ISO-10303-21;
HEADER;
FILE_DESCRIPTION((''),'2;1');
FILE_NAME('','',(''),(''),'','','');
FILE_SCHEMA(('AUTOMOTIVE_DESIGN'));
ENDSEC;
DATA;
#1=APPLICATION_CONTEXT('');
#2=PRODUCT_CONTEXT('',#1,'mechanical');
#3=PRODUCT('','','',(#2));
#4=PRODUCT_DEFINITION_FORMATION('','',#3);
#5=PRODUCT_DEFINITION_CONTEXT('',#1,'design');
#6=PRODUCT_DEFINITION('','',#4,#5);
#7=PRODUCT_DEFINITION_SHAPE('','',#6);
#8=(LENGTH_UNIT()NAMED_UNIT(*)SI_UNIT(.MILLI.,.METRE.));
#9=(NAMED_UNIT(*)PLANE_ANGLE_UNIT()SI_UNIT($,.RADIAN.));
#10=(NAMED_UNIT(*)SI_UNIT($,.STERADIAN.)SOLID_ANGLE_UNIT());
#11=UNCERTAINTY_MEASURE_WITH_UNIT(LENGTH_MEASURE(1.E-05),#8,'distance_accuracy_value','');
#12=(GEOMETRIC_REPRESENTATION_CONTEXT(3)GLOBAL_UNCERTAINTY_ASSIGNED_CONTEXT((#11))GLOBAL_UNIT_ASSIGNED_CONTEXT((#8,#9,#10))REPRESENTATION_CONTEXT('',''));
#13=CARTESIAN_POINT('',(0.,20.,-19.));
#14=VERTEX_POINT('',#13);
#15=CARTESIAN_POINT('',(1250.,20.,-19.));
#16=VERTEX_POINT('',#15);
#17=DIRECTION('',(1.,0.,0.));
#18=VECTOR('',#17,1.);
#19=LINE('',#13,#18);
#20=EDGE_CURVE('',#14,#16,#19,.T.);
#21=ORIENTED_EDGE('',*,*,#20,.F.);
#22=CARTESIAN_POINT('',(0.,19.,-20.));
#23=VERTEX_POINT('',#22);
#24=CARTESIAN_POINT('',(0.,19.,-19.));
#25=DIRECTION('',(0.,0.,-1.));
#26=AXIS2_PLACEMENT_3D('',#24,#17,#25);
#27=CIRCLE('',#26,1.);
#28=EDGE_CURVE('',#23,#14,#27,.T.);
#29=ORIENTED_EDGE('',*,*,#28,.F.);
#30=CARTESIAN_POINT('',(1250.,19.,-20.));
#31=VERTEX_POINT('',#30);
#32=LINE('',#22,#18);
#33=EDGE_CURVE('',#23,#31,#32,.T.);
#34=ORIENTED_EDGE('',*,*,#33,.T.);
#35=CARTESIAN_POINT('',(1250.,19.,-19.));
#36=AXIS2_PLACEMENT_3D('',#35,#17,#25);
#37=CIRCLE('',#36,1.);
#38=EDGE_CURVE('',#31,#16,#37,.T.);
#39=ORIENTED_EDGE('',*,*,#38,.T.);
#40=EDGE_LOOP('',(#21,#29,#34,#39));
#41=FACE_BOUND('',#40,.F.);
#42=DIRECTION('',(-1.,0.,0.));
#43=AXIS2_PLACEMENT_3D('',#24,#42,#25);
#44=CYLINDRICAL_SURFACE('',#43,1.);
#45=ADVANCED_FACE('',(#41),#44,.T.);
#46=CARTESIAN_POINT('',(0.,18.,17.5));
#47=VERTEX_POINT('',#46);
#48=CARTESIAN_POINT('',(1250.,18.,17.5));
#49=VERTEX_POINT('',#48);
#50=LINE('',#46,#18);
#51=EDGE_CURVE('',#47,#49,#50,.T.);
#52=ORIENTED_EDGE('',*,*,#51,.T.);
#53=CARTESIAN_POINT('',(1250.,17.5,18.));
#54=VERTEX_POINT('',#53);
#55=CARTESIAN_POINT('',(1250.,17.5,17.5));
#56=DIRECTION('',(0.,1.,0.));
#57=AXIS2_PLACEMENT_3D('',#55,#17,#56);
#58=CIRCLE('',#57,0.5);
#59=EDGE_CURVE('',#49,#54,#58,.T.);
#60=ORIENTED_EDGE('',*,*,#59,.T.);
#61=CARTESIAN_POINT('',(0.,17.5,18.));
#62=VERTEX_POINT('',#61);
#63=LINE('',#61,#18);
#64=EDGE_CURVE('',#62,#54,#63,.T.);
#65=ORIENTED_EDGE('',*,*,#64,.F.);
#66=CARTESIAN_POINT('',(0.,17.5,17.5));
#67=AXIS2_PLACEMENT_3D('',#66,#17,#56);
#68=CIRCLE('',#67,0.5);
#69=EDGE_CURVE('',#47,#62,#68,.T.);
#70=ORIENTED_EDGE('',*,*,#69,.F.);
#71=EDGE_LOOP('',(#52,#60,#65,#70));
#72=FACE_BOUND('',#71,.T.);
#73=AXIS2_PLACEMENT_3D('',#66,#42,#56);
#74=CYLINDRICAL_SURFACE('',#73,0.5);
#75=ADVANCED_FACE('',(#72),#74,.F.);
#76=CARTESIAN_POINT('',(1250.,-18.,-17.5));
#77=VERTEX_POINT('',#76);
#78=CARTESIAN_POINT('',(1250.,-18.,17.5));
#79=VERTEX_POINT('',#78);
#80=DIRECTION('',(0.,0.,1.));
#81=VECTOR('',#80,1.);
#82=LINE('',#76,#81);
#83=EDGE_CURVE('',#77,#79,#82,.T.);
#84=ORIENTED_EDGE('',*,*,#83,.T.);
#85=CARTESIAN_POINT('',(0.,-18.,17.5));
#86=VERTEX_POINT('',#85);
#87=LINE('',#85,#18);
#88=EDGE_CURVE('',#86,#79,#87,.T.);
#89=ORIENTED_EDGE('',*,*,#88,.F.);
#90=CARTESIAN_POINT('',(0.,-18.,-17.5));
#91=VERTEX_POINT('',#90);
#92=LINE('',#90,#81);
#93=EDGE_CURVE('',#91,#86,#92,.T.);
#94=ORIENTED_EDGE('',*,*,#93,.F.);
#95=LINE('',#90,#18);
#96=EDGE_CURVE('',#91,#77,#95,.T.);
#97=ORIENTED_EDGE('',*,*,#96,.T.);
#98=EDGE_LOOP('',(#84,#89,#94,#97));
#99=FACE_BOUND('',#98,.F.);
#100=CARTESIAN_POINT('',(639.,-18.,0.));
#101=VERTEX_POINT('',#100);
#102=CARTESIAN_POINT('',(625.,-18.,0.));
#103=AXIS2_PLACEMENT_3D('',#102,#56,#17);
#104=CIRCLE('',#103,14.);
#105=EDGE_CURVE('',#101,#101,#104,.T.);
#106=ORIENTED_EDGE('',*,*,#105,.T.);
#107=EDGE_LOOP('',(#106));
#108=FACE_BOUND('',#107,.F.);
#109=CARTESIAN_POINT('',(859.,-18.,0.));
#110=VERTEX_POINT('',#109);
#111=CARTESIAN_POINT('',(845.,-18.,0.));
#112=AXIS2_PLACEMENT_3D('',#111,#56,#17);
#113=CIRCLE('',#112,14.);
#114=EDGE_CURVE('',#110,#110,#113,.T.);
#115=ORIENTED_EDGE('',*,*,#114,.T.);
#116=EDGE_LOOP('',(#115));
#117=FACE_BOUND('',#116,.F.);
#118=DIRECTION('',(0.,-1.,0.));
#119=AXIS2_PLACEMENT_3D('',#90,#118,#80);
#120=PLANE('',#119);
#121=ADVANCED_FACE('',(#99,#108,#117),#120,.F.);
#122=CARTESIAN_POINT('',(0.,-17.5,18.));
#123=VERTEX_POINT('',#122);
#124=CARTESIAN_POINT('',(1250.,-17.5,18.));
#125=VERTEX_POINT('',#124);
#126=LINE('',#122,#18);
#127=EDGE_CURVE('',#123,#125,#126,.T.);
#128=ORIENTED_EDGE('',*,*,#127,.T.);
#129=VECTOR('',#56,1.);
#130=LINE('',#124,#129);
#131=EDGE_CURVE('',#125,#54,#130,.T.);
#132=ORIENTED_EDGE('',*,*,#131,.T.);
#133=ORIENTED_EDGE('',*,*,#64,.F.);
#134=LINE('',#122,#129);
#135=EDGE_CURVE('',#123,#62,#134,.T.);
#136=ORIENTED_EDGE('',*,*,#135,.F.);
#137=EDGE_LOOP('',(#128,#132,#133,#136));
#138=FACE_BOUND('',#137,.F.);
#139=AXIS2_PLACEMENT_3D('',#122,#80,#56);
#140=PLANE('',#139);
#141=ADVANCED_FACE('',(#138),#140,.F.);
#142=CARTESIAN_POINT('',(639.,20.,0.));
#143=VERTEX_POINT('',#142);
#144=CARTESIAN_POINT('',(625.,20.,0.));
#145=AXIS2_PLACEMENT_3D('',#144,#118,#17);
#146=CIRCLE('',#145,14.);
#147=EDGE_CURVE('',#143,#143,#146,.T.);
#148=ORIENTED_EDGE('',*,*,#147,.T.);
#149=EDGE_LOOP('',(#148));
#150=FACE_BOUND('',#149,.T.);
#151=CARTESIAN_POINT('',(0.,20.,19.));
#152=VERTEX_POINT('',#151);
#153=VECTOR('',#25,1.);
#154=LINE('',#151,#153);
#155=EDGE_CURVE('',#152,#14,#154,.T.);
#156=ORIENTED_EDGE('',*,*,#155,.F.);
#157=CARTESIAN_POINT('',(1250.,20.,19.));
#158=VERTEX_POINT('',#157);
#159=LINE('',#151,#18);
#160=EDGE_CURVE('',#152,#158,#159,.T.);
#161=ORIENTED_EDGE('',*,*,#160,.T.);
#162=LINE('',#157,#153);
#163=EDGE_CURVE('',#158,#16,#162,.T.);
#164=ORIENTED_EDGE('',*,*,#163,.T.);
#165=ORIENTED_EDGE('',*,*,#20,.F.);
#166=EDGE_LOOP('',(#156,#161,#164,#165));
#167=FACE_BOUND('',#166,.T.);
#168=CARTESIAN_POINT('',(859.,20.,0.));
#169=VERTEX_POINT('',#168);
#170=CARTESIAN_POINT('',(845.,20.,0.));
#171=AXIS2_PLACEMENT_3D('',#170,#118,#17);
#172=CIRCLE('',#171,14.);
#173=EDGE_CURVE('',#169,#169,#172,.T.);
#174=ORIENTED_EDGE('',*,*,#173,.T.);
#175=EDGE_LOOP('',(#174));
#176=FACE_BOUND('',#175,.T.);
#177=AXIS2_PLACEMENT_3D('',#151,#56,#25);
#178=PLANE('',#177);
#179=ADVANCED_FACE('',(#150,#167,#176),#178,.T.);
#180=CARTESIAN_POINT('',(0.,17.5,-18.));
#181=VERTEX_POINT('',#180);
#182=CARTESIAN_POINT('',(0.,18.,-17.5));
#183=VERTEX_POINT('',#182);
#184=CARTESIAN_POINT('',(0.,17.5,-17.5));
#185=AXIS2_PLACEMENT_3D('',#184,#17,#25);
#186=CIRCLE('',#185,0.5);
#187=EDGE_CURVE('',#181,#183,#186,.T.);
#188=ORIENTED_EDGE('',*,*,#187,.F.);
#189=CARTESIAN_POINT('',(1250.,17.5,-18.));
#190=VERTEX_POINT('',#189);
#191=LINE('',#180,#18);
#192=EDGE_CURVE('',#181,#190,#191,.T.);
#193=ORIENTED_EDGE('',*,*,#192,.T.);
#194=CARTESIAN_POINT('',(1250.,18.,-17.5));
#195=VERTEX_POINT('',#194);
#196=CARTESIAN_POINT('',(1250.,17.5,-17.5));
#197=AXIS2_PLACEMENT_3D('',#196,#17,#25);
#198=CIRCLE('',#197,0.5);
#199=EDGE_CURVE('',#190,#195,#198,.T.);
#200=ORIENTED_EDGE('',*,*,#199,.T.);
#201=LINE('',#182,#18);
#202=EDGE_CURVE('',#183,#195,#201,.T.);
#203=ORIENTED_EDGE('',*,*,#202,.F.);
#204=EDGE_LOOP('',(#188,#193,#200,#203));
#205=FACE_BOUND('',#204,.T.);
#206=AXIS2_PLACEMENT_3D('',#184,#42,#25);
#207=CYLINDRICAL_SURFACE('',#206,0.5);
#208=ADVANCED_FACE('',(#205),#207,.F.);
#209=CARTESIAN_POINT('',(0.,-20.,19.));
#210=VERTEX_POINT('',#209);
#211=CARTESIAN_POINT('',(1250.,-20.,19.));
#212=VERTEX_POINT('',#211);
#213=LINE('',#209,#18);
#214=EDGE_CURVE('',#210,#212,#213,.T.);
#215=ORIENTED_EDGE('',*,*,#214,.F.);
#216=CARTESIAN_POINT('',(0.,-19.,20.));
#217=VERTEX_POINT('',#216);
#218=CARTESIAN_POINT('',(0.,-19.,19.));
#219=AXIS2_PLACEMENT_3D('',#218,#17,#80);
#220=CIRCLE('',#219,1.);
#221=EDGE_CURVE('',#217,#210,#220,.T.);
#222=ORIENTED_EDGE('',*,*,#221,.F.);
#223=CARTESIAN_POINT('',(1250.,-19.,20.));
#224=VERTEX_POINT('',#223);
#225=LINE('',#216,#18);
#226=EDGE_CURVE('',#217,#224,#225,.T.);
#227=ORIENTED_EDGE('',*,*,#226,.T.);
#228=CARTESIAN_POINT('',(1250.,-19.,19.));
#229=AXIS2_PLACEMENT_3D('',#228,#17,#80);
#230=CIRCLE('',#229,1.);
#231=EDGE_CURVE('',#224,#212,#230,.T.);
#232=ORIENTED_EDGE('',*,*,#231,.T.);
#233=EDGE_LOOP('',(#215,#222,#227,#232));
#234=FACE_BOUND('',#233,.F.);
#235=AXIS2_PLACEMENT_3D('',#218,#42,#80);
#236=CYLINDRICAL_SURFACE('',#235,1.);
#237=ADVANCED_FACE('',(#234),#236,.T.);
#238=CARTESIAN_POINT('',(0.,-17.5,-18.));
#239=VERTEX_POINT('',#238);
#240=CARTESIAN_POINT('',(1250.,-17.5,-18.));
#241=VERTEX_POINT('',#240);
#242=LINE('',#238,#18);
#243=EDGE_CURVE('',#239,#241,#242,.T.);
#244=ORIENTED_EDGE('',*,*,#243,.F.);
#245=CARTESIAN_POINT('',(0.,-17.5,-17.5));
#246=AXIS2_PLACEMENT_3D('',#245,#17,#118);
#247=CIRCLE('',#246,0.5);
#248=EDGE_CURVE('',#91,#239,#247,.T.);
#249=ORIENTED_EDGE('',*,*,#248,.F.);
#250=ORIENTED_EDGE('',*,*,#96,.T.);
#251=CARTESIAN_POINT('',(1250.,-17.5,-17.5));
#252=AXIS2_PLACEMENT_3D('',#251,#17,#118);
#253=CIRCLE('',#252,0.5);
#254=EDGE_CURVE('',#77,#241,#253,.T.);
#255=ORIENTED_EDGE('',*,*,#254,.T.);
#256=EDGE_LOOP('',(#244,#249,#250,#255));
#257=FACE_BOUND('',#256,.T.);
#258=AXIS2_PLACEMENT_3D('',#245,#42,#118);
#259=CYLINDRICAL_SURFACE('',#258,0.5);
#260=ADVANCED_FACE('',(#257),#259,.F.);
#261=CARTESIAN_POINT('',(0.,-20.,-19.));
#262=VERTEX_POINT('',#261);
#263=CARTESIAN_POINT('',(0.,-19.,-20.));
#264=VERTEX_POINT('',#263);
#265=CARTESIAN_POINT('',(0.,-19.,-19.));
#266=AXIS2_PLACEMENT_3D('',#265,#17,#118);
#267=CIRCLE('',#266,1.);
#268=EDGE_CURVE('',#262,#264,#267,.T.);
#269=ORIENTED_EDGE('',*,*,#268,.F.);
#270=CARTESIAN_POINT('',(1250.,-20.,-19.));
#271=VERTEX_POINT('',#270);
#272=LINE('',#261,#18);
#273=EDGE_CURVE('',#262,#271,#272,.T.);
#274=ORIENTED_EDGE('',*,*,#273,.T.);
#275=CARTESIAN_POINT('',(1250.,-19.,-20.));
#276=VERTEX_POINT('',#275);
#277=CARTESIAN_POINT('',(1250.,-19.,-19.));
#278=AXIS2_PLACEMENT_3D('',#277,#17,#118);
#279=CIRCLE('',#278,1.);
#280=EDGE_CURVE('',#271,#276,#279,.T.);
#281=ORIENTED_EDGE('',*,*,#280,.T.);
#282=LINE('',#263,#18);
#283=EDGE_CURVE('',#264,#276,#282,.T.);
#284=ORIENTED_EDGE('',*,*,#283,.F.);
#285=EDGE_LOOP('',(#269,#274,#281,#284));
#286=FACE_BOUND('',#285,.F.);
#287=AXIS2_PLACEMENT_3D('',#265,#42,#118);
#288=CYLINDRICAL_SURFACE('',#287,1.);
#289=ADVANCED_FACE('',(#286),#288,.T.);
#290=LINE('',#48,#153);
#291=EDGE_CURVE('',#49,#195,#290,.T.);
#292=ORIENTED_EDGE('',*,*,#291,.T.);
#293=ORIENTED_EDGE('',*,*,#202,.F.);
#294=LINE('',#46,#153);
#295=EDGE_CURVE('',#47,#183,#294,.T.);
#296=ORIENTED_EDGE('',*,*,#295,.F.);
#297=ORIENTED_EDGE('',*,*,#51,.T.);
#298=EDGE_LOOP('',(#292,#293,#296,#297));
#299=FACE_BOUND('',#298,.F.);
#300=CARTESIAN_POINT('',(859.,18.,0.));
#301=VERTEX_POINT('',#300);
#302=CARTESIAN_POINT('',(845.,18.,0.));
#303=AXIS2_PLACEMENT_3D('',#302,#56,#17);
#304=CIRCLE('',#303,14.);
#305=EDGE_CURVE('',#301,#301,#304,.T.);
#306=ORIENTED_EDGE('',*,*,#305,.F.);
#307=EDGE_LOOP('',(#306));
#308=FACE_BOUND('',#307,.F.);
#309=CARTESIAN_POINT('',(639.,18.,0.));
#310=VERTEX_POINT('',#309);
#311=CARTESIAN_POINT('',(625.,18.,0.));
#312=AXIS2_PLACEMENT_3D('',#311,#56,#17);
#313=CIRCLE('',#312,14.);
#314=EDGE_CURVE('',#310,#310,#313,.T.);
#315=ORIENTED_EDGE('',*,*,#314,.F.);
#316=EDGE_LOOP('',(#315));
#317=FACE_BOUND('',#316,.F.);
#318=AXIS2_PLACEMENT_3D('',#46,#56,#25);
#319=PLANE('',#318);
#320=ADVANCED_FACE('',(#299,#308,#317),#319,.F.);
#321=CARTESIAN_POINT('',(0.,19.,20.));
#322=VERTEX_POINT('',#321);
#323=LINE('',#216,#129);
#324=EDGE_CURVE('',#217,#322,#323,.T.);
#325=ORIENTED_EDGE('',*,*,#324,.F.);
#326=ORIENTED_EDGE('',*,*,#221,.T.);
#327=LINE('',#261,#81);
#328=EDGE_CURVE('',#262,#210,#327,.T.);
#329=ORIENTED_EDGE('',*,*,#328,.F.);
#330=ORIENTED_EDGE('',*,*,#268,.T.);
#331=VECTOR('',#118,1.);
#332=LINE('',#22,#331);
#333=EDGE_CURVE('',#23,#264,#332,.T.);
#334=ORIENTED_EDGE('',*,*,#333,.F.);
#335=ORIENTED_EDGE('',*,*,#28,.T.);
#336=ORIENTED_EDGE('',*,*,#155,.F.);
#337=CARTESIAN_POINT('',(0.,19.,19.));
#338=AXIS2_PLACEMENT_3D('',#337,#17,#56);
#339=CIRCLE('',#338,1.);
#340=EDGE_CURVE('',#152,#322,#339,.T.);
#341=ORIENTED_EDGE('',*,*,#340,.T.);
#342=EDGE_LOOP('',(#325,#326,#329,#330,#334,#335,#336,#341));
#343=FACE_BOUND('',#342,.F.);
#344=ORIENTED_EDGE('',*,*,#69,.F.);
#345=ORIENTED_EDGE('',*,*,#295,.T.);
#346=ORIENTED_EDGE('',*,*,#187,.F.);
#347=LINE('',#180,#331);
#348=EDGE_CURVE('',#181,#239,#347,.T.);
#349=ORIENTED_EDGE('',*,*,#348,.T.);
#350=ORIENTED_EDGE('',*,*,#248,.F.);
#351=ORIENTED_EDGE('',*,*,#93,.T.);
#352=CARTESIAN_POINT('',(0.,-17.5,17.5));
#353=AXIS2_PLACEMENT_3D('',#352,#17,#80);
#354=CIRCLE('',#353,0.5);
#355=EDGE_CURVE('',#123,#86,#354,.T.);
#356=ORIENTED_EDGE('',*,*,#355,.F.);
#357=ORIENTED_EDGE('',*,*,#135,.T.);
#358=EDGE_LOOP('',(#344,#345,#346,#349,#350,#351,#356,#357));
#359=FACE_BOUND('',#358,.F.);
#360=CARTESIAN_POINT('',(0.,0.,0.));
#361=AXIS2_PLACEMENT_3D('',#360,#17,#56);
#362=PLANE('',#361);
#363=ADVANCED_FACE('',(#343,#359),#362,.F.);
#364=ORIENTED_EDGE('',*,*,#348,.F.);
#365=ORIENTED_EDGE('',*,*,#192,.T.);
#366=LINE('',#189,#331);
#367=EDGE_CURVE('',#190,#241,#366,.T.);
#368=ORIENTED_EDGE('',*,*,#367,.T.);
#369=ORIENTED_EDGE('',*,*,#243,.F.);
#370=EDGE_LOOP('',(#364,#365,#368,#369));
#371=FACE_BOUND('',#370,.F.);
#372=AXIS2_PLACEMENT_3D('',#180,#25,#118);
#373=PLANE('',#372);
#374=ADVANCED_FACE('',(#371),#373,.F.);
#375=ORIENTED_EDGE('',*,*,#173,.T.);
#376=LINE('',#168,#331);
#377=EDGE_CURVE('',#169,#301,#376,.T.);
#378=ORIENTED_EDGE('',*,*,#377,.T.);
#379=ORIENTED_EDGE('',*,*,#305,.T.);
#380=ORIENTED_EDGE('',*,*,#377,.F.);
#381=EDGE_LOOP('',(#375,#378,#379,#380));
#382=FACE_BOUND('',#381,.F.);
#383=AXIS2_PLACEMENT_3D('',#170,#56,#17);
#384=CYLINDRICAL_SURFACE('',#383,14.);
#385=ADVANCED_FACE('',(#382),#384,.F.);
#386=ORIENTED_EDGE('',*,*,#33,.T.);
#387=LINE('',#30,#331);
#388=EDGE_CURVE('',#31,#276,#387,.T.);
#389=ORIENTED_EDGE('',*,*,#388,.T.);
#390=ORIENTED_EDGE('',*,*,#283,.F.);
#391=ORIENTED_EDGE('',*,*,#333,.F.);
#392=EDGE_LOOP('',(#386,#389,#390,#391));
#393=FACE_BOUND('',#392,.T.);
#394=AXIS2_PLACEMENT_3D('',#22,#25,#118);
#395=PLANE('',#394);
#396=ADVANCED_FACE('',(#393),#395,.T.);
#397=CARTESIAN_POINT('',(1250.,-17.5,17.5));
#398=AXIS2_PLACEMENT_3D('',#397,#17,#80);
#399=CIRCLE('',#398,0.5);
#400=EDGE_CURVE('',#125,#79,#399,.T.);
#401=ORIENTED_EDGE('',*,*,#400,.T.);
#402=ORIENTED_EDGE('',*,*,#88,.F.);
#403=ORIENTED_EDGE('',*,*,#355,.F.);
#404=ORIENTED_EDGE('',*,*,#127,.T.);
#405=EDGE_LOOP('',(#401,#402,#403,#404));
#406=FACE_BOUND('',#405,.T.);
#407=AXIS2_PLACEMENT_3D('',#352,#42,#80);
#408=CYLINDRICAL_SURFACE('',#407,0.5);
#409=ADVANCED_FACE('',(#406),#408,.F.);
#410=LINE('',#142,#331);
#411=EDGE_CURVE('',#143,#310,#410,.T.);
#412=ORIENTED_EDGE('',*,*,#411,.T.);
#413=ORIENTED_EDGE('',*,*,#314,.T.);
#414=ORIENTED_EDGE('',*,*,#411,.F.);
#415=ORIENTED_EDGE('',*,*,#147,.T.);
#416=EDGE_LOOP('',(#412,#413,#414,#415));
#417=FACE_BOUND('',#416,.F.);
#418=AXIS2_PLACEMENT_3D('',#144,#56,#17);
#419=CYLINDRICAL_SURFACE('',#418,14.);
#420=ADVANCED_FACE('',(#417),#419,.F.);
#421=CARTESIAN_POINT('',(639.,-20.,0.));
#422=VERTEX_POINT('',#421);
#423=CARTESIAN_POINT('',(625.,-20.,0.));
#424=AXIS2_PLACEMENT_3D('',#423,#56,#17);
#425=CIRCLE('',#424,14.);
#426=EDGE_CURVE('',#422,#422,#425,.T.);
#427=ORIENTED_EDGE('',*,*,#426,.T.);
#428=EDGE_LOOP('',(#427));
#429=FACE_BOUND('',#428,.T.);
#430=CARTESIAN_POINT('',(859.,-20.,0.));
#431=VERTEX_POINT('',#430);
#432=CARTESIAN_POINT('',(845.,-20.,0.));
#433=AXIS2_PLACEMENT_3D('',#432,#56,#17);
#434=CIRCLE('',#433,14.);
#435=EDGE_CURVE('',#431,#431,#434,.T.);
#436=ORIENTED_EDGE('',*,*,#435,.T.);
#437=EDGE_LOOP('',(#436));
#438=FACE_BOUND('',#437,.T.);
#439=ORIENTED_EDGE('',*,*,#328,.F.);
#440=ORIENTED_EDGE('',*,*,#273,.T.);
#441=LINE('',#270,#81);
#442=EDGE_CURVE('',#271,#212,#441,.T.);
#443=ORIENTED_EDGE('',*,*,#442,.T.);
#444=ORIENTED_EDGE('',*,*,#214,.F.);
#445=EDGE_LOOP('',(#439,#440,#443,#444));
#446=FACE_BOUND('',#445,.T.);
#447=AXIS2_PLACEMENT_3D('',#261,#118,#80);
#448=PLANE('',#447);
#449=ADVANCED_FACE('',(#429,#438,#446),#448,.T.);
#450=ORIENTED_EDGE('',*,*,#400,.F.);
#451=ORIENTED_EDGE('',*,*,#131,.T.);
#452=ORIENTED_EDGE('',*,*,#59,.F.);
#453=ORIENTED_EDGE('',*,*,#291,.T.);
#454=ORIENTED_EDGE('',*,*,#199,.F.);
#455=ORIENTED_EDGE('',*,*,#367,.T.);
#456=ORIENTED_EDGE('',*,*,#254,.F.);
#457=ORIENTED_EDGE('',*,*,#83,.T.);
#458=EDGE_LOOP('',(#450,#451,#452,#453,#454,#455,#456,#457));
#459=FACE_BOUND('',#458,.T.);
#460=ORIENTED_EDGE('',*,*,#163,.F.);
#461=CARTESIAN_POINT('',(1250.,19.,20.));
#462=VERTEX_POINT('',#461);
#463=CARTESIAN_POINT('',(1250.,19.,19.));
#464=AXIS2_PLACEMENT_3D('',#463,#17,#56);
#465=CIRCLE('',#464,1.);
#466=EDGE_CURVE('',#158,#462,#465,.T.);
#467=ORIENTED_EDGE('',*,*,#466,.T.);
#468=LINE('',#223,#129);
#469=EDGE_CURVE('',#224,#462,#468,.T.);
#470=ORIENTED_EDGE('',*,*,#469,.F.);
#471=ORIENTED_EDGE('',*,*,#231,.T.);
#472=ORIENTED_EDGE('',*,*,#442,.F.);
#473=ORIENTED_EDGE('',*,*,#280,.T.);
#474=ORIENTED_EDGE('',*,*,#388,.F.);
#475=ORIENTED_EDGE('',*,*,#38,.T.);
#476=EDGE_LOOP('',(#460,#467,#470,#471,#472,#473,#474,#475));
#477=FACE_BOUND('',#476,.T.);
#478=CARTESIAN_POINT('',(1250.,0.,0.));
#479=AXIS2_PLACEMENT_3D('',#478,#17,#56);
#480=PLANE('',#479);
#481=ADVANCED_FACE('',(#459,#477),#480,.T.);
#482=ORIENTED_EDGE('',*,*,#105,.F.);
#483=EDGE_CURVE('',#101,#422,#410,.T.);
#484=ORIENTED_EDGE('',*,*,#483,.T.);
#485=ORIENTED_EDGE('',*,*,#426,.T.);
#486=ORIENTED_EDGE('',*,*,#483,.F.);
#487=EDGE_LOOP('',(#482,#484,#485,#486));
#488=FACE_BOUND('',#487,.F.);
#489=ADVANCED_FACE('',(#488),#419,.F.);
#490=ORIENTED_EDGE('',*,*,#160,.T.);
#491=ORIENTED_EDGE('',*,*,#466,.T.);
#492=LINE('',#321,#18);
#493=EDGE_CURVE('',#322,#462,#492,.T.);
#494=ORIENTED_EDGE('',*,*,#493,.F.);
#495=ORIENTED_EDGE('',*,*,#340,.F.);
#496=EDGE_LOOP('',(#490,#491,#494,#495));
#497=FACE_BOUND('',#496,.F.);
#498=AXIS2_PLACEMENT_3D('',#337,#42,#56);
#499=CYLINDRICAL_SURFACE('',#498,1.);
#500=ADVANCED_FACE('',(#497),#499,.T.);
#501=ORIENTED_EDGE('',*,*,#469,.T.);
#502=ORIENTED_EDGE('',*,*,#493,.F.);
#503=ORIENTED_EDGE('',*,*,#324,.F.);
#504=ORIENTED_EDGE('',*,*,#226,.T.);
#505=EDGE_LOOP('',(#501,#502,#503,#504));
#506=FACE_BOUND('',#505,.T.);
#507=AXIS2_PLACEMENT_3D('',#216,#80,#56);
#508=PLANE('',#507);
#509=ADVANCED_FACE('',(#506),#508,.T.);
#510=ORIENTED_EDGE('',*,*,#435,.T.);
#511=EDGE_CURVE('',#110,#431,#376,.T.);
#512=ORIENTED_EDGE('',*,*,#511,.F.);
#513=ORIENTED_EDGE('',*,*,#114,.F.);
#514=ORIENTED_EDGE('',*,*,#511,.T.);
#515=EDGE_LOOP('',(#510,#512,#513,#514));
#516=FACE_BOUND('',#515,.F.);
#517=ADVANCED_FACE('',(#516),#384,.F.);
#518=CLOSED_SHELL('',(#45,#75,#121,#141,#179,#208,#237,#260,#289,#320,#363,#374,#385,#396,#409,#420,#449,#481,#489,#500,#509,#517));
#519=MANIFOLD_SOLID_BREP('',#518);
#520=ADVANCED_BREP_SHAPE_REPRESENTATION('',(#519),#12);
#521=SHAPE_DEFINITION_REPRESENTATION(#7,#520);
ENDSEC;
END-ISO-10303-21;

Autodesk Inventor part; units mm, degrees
ref_plane "YZ Plane" through (0, 0, 0) normal (1, 0, 0) x (0, 1, 0)
ref_plane "XZ Plane" through (0, 0, 0) normal (0, 1, 0) x (-1, 0, 0)
ref_plane "XY Plane" through (0, 0, 0) normal (0, 0, 1) x (1, 0, 0)
sketch "Skizze1" plane through (0, 0, 0) normal (1, 0, 0) x (0, 1, 0)
  line L0 (-19, 20) -> (19, 20)
  line L1 (20, 19) -> (20, -19)
  line L2 (19, -20) -> (-19, -20)
  line L3 (-20, -19) -> (-20, 19)
  line L4 (-20, 20) -> (20, -20) construction
  line L5 (20, 20) -> (-20, -20) construction
  line L6 (-17.5, 18) -> (17.5, 18)
  line L7 (18, 17.5) -> (18, -17.5)
  line L8 (17.5, -18) -> (-17.5, -18)
  line L9 (-18, -17.5) -> (-18, 17.5)
  line L10 (-18, 18) -> (18, -18) construction
  line L11 (18, 18) -> (-18, -18) construction
  arc A0 (20, 19) -> (19, 20) centre (19, 19) ccw
  arc A1 (-19, 20) -> (-20, 19) centre (-19, 19) ccw
  arc A2 (-20, -19) -> (-19, -20) centre (-19, -19) ccw
  arc A3 (19, -20) -> (20, -19) centre (19, -19) ccw
  arc A4 (18, 17.5) -> (17.5, 18) centre (17.5, 17.5) ccw
  arc A5 (-17.5, 18) -> (-18, 17.5) centre (-17.5, 17.5) ccw
  arc A6 (-18, -17.5) -> (-17.5, -18) centre (-17.5, -17.5) ccw
  arc A7 (17.5, -18) -> (18, -17.5) centre (17.5, -17.5) ccw
  point P0 (0, 0)
  dimension "d0" = 40
  dimension "d1" = 40
  dimension "d2" = 36
  dimension "d3" = 36
  dimension "d4" = 1
  dimension "d5" = 0.5
extrude "Extrusion1" add sketch "Skizze1" along normal blind 1250
sketch "Skizze2" plane through (0, 20, 19) normal (0, 1, 0) x (1, 0, 0)
  line L0 (0, 19) -> (425, 19)
  line L1 (425, 19) -> (845, 19)
  circle A0 centre (845, 19) radius 14
  line L2 (0, 19) -> (635, 19)
  line L3 (0, 19) -> (625, 19)
  circle A1 centre (625, 19) radius 14
  dimension "d8" = 425
  dimension "d10" = 420
  dimension "d11" = 28
  dimension "d15" = 28
extrude "Extrusion2" cut sketch "Skizze2" against normal through all
properties part number "richtungstange" material "Aluminium 6061"
